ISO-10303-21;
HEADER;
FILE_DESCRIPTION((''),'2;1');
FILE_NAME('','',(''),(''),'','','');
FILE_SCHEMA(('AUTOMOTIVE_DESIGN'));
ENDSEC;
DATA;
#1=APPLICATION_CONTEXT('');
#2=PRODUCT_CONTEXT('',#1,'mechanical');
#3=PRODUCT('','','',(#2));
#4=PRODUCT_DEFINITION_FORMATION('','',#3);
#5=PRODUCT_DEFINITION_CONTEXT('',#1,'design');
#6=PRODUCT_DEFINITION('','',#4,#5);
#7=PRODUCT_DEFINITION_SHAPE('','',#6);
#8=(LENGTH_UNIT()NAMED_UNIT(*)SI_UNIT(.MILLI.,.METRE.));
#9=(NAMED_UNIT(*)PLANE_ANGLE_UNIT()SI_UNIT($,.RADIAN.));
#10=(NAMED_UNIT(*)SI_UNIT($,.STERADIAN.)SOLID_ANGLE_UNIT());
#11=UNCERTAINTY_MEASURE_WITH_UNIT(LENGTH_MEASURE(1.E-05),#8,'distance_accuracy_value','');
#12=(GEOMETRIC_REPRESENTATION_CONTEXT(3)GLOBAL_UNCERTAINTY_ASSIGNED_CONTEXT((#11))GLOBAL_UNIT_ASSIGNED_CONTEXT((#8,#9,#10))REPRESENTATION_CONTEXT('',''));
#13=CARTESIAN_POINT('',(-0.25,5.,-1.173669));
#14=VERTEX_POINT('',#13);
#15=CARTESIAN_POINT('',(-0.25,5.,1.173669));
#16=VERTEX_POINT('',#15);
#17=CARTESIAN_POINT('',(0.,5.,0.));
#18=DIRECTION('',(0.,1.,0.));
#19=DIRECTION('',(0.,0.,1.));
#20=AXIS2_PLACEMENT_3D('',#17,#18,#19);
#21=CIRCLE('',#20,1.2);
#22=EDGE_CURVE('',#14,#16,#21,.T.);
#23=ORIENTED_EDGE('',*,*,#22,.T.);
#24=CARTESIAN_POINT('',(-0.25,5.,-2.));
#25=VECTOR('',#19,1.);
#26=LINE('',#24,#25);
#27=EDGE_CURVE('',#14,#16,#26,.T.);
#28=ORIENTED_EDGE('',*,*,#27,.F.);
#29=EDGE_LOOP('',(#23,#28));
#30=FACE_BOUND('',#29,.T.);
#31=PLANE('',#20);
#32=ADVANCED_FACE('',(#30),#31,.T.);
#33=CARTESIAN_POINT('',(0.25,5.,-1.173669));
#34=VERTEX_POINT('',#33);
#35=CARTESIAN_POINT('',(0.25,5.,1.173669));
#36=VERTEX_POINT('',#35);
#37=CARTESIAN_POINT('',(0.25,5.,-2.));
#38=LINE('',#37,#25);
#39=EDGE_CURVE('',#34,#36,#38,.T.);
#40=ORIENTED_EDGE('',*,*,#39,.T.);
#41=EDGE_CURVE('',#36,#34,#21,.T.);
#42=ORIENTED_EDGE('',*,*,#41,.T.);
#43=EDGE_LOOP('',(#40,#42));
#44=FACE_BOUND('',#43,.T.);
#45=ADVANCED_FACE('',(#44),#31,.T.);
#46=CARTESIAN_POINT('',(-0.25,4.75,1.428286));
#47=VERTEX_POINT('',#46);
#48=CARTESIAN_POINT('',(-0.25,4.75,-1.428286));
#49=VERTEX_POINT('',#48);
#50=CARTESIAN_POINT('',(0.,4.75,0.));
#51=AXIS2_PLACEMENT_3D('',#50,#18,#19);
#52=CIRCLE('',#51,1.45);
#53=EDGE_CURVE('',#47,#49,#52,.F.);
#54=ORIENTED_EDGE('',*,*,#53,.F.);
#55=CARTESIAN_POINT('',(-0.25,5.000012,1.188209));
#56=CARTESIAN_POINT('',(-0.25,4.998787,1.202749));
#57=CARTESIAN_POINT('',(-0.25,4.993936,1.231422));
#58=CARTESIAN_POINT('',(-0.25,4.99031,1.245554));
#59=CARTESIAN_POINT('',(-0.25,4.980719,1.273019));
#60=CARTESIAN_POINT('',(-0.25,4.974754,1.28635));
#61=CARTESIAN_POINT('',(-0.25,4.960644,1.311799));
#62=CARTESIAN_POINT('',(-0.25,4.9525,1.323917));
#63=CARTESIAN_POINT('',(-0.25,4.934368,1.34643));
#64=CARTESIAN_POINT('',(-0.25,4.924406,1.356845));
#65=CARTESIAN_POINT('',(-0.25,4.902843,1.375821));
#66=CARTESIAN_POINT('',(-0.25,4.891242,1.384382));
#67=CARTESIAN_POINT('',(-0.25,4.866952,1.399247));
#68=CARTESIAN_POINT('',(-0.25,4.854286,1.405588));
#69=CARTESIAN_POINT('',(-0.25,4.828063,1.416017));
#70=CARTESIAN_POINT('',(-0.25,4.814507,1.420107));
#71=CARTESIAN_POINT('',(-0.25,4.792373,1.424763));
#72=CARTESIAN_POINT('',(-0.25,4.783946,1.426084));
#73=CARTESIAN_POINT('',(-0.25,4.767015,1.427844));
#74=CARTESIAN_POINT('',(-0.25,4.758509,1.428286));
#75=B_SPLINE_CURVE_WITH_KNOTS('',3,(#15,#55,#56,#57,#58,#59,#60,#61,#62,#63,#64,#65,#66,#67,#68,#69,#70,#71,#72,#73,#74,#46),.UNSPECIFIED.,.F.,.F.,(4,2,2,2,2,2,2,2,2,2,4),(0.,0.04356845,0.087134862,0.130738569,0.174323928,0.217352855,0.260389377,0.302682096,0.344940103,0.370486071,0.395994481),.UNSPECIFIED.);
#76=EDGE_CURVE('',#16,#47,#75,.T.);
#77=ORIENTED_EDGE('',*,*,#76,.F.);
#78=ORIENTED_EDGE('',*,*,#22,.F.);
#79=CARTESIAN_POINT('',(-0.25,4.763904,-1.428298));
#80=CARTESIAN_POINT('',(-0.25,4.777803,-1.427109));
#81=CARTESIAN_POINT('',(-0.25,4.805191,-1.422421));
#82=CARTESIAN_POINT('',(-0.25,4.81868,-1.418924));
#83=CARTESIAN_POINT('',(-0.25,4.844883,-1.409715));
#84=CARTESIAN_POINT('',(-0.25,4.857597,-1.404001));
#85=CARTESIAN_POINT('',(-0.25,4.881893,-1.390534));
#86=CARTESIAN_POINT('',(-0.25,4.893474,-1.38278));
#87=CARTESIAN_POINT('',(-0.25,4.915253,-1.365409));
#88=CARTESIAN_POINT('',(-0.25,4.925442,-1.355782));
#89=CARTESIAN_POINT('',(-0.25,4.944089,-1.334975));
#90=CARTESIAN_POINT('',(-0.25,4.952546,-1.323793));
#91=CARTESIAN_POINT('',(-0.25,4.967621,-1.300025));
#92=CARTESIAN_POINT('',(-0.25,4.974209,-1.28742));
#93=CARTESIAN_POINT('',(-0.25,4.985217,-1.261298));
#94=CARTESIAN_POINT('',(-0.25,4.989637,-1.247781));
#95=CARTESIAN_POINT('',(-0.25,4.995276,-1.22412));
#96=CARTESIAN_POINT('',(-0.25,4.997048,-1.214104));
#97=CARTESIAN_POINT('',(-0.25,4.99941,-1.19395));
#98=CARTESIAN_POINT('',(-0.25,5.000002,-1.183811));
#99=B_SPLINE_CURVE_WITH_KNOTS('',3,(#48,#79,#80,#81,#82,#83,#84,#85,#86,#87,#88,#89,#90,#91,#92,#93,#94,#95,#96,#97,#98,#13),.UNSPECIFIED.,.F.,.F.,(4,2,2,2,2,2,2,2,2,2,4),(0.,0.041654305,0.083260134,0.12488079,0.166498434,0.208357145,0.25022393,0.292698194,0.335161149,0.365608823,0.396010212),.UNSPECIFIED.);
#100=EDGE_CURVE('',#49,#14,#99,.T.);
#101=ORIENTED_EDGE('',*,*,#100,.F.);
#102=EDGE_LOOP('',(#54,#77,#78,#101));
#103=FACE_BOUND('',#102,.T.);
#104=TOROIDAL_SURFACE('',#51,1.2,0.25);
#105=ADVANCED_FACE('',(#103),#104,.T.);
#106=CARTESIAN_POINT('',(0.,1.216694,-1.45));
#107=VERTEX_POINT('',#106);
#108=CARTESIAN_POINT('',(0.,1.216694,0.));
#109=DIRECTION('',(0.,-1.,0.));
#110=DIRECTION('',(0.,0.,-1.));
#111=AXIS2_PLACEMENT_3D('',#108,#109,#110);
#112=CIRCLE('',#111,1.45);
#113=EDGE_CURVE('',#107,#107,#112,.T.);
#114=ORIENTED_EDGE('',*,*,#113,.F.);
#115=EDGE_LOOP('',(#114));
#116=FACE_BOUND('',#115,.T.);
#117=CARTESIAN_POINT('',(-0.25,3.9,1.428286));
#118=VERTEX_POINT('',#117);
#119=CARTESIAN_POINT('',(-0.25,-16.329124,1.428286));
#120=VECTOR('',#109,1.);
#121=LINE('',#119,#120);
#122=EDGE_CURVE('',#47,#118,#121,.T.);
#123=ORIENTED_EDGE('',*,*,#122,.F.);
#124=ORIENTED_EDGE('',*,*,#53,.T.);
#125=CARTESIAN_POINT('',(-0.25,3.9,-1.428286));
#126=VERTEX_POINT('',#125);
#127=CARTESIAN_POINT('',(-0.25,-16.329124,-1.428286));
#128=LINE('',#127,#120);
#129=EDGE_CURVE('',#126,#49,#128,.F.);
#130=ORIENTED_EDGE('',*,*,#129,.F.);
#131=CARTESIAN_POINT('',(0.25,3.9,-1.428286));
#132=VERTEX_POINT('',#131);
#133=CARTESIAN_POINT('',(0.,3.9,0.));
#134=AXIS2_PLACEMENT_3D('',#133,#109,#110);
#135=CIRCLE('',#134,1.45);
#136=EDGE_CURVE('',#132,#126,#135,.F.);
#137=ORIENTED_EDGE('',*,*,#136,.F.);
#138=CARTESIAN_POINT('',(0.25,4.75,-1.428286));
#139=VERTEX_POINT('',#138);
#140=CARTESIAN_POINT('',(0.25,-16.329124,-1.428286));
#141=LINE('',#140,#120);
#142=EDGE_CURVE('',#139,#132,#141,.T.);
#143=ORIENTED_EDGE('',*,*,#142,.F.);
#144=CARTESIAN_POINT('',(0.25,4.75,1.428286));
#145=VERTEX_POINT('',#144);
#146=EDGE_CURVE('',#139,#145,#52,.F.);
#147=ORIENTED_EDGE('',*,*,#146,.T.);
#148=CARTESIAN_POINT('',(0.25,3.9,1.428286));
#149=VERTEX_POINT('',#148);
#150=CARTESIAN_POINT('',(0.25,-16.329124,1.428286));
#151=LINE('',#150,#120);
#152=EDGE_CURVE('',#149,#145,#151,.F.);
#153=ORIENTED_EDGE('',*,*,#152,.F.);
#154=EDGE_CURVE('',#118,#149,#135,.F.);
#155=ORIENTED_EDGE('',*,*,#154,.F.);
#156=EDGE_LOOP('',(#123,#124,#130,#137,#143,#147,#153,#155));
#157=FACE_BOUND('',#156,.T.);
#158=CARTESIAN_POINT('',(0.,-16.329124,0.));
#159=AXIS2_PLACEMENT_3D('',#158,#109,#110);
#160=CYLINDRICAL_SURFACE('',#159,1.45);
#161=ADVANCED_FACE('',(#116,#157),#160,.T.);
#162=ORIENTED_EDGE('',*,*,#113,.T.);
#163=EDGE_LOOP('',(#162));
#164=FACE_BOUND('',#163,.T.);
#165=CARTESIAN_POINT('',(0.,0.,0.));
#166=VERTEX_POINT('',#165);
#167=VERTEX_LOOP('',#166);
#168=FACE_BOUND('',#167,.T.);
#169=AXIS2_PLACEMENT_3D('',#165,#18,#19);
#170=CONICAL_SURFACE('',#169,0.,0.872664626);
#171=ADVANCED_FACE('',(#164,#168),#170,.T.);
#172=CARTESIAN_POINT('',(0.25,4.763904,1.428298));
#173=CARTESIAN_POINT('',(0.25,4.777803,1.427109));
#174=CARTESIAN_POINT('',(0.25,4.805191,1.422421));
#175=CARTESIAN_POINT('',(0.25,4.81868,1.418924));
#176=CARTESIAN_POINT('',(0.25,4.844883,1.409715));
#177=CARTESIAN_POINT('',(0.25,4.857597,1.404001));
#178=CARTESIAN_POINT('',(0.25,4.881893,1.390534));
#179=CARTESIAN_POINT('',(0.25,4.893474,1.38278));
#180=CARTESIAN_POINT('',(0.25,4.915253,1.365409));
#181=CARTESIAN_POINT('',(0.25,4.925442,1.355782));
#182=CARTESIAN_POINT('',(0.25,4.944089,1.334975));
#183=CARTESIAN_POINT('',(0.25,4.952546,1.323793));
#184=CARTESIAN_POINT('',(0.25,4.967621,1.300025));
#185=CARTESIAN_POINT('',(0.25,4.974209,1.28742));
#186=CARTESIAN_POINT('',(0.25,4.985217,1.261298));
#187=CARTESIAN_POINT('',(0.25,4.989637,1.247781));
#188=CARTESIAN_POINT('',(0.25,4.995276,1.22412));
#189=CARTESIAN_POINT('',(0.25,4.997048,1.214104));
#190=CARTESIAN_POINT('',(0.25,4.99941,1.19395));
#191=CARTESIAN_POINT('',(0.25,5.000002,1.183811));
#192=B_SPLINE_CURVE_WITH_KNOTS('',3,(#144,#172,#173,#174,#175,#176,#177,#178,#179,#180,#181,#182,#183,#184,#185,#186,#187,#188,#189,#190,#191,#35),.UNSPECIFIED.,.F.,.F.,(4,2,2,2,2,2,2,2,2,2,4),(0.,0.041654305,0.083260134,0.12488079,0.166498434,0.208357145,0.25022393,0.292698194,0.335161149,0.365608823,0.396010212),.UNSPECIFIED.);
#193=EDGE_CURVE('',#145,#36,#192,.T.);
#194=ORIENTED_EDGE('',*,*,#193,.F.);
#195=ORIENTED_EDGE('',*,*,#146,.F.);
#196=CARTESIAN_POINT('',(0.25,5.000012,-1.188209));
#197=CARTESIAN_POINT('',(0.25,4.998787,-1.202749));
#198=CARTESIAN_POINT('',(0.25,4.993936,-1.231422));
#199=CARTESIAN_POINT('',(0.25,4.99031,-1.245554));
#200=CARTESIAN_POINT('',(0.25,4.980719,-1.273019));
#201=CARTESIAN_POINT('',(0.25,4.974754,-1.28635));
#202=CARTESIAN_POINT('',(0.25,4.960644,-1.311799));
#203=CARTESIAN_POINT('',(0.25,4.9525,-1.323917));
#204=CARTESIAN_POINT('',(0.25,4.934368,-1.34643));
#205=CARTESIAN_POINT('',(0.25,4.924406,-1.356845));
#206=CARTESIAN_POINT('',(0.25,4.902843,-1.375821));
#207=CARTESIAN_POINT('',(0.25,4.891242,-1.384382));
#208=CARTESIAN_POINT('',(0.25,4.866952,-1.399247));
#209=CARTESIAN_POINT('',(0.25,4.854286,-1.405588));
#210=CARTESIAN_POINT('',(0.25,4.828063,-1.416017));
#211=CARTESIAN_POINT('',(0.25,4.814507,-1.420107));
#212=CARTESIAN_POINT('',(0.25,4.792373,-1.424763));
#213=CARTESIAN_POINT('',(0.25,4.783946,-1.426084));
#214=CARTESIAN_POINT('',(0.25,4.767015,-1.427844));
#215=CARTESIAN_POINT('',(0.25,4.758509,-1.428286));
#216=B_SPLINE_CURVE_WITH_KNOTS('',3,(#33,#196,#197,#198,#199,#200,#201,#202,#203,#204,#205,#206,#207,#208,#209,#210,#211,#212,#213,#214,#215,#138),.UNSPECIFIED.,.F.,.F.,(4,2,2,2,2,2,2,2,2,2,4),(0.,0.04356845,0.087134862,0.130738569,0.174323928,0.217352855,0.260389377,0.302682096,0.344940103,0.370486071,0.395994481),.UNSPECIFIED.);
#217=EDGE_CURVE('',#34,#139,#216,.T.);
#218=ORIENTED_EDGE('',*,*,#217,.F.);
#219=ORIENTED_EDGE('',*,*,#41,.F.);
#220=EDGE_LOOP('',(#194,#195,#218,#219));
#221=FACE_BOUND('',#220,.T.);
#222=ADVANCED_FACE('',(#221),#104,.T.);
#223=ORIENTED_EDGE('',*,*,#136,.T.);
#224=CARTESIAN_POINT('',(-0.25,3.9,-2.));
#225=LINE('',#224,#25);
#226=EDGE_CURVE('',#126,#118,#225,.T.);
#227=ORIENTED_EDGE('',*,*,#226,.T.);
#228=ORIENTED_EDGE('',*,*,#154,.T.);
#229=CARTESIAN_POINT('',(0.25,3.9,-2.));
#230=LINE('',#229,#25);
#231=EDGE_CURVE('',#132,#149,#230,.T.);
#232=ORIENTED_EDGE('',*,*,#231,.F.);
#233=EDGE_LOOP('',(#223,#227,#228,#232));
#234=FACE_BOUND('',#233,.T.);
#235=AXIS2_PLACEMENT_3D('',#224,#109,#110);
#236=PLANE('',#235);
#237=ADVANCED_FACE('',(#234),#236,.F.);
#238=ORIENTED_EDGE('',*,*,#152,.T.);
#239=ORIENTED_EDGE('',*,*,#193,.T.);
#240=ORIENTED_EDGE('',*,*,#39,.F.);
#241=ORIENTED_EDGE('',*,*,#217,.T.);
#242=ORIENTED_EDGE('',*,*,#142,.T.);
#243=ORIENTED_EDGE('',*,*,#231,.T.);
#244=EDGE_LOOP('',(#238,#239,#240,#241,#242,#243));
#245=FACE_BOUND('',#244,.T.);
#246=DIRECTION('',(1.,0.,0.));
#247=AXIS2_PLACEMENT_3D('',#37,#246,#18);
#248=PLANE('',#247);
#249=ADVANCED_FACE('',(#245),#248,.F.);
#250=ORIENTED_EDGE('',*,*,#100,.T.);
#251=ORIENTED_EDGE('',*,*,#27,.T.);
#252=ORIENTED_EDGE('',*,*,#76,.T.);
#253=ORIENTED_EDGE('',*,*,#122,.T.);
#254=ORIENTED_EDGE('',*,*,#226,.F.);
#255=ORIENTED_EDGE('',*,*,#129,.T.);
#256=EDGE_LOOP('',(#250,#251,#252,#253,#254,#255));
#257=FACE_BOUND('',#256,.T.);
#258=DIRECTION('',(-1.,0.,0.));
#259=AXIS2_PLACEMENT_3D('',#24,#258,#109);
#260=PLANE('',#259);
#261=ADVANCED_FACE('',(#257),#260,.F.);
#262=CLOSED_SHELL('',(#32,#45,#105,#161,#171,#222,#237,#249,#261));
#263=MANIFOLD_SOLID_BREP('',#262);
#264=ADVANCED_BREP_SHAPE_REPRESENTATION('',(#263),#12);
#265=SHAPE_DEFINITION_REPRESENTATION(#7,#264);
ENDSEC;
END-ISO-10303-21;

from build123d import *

# Parameters (mm, degrees)
ESQUISSE2_W             = 0.5
ESQUISSE2_H             = 1.1
ENL_V_MAT_EXTRU_1_DEPTH = 2
CONG_1_R                = 0.25


with BuildPart() as part:
    # Esquisse1 → Révolution1 (revolve)
    with BuildSketch(Plane.XY, mode=Mode.PRIVATE) as r_volution1_sk:
        Polygon((0, 5), (1.45, 5), (1.45, 1.216694465), (0, 0), align=None)
    revolve(r_volution1_sk.sketch.rotate(Axis((0, -16.329124358, 0), (0, 1, 0)), 90), axis=Axis((0, -16.329124358, 0), (0, 1, 0)))  # turned: the seam where the file's is

    # Esquisse2 → Enlèv. mat.-Extru.1 (cut, symmetric)
    with BuildSketch(Plane.XY):
        with Locations((0, 4.45)):
            Rectangle(ESQUISSE2_W, ESQUISSE2_H)
    extrude(amount=ENL_V_MAT_EXTRU_1_DEPTH, both=True, mode=Mode.SUBTRACT)

    # Congé1
    cong_1_edges = [part.edges().sort_by_distance(p)[0] for p in [
        (1.45, 5, 0),
        (-1.45, 5, 0),
    ]]
    fillet(cong_1_edges, radius=CONG_1_R)


solid = part.part
